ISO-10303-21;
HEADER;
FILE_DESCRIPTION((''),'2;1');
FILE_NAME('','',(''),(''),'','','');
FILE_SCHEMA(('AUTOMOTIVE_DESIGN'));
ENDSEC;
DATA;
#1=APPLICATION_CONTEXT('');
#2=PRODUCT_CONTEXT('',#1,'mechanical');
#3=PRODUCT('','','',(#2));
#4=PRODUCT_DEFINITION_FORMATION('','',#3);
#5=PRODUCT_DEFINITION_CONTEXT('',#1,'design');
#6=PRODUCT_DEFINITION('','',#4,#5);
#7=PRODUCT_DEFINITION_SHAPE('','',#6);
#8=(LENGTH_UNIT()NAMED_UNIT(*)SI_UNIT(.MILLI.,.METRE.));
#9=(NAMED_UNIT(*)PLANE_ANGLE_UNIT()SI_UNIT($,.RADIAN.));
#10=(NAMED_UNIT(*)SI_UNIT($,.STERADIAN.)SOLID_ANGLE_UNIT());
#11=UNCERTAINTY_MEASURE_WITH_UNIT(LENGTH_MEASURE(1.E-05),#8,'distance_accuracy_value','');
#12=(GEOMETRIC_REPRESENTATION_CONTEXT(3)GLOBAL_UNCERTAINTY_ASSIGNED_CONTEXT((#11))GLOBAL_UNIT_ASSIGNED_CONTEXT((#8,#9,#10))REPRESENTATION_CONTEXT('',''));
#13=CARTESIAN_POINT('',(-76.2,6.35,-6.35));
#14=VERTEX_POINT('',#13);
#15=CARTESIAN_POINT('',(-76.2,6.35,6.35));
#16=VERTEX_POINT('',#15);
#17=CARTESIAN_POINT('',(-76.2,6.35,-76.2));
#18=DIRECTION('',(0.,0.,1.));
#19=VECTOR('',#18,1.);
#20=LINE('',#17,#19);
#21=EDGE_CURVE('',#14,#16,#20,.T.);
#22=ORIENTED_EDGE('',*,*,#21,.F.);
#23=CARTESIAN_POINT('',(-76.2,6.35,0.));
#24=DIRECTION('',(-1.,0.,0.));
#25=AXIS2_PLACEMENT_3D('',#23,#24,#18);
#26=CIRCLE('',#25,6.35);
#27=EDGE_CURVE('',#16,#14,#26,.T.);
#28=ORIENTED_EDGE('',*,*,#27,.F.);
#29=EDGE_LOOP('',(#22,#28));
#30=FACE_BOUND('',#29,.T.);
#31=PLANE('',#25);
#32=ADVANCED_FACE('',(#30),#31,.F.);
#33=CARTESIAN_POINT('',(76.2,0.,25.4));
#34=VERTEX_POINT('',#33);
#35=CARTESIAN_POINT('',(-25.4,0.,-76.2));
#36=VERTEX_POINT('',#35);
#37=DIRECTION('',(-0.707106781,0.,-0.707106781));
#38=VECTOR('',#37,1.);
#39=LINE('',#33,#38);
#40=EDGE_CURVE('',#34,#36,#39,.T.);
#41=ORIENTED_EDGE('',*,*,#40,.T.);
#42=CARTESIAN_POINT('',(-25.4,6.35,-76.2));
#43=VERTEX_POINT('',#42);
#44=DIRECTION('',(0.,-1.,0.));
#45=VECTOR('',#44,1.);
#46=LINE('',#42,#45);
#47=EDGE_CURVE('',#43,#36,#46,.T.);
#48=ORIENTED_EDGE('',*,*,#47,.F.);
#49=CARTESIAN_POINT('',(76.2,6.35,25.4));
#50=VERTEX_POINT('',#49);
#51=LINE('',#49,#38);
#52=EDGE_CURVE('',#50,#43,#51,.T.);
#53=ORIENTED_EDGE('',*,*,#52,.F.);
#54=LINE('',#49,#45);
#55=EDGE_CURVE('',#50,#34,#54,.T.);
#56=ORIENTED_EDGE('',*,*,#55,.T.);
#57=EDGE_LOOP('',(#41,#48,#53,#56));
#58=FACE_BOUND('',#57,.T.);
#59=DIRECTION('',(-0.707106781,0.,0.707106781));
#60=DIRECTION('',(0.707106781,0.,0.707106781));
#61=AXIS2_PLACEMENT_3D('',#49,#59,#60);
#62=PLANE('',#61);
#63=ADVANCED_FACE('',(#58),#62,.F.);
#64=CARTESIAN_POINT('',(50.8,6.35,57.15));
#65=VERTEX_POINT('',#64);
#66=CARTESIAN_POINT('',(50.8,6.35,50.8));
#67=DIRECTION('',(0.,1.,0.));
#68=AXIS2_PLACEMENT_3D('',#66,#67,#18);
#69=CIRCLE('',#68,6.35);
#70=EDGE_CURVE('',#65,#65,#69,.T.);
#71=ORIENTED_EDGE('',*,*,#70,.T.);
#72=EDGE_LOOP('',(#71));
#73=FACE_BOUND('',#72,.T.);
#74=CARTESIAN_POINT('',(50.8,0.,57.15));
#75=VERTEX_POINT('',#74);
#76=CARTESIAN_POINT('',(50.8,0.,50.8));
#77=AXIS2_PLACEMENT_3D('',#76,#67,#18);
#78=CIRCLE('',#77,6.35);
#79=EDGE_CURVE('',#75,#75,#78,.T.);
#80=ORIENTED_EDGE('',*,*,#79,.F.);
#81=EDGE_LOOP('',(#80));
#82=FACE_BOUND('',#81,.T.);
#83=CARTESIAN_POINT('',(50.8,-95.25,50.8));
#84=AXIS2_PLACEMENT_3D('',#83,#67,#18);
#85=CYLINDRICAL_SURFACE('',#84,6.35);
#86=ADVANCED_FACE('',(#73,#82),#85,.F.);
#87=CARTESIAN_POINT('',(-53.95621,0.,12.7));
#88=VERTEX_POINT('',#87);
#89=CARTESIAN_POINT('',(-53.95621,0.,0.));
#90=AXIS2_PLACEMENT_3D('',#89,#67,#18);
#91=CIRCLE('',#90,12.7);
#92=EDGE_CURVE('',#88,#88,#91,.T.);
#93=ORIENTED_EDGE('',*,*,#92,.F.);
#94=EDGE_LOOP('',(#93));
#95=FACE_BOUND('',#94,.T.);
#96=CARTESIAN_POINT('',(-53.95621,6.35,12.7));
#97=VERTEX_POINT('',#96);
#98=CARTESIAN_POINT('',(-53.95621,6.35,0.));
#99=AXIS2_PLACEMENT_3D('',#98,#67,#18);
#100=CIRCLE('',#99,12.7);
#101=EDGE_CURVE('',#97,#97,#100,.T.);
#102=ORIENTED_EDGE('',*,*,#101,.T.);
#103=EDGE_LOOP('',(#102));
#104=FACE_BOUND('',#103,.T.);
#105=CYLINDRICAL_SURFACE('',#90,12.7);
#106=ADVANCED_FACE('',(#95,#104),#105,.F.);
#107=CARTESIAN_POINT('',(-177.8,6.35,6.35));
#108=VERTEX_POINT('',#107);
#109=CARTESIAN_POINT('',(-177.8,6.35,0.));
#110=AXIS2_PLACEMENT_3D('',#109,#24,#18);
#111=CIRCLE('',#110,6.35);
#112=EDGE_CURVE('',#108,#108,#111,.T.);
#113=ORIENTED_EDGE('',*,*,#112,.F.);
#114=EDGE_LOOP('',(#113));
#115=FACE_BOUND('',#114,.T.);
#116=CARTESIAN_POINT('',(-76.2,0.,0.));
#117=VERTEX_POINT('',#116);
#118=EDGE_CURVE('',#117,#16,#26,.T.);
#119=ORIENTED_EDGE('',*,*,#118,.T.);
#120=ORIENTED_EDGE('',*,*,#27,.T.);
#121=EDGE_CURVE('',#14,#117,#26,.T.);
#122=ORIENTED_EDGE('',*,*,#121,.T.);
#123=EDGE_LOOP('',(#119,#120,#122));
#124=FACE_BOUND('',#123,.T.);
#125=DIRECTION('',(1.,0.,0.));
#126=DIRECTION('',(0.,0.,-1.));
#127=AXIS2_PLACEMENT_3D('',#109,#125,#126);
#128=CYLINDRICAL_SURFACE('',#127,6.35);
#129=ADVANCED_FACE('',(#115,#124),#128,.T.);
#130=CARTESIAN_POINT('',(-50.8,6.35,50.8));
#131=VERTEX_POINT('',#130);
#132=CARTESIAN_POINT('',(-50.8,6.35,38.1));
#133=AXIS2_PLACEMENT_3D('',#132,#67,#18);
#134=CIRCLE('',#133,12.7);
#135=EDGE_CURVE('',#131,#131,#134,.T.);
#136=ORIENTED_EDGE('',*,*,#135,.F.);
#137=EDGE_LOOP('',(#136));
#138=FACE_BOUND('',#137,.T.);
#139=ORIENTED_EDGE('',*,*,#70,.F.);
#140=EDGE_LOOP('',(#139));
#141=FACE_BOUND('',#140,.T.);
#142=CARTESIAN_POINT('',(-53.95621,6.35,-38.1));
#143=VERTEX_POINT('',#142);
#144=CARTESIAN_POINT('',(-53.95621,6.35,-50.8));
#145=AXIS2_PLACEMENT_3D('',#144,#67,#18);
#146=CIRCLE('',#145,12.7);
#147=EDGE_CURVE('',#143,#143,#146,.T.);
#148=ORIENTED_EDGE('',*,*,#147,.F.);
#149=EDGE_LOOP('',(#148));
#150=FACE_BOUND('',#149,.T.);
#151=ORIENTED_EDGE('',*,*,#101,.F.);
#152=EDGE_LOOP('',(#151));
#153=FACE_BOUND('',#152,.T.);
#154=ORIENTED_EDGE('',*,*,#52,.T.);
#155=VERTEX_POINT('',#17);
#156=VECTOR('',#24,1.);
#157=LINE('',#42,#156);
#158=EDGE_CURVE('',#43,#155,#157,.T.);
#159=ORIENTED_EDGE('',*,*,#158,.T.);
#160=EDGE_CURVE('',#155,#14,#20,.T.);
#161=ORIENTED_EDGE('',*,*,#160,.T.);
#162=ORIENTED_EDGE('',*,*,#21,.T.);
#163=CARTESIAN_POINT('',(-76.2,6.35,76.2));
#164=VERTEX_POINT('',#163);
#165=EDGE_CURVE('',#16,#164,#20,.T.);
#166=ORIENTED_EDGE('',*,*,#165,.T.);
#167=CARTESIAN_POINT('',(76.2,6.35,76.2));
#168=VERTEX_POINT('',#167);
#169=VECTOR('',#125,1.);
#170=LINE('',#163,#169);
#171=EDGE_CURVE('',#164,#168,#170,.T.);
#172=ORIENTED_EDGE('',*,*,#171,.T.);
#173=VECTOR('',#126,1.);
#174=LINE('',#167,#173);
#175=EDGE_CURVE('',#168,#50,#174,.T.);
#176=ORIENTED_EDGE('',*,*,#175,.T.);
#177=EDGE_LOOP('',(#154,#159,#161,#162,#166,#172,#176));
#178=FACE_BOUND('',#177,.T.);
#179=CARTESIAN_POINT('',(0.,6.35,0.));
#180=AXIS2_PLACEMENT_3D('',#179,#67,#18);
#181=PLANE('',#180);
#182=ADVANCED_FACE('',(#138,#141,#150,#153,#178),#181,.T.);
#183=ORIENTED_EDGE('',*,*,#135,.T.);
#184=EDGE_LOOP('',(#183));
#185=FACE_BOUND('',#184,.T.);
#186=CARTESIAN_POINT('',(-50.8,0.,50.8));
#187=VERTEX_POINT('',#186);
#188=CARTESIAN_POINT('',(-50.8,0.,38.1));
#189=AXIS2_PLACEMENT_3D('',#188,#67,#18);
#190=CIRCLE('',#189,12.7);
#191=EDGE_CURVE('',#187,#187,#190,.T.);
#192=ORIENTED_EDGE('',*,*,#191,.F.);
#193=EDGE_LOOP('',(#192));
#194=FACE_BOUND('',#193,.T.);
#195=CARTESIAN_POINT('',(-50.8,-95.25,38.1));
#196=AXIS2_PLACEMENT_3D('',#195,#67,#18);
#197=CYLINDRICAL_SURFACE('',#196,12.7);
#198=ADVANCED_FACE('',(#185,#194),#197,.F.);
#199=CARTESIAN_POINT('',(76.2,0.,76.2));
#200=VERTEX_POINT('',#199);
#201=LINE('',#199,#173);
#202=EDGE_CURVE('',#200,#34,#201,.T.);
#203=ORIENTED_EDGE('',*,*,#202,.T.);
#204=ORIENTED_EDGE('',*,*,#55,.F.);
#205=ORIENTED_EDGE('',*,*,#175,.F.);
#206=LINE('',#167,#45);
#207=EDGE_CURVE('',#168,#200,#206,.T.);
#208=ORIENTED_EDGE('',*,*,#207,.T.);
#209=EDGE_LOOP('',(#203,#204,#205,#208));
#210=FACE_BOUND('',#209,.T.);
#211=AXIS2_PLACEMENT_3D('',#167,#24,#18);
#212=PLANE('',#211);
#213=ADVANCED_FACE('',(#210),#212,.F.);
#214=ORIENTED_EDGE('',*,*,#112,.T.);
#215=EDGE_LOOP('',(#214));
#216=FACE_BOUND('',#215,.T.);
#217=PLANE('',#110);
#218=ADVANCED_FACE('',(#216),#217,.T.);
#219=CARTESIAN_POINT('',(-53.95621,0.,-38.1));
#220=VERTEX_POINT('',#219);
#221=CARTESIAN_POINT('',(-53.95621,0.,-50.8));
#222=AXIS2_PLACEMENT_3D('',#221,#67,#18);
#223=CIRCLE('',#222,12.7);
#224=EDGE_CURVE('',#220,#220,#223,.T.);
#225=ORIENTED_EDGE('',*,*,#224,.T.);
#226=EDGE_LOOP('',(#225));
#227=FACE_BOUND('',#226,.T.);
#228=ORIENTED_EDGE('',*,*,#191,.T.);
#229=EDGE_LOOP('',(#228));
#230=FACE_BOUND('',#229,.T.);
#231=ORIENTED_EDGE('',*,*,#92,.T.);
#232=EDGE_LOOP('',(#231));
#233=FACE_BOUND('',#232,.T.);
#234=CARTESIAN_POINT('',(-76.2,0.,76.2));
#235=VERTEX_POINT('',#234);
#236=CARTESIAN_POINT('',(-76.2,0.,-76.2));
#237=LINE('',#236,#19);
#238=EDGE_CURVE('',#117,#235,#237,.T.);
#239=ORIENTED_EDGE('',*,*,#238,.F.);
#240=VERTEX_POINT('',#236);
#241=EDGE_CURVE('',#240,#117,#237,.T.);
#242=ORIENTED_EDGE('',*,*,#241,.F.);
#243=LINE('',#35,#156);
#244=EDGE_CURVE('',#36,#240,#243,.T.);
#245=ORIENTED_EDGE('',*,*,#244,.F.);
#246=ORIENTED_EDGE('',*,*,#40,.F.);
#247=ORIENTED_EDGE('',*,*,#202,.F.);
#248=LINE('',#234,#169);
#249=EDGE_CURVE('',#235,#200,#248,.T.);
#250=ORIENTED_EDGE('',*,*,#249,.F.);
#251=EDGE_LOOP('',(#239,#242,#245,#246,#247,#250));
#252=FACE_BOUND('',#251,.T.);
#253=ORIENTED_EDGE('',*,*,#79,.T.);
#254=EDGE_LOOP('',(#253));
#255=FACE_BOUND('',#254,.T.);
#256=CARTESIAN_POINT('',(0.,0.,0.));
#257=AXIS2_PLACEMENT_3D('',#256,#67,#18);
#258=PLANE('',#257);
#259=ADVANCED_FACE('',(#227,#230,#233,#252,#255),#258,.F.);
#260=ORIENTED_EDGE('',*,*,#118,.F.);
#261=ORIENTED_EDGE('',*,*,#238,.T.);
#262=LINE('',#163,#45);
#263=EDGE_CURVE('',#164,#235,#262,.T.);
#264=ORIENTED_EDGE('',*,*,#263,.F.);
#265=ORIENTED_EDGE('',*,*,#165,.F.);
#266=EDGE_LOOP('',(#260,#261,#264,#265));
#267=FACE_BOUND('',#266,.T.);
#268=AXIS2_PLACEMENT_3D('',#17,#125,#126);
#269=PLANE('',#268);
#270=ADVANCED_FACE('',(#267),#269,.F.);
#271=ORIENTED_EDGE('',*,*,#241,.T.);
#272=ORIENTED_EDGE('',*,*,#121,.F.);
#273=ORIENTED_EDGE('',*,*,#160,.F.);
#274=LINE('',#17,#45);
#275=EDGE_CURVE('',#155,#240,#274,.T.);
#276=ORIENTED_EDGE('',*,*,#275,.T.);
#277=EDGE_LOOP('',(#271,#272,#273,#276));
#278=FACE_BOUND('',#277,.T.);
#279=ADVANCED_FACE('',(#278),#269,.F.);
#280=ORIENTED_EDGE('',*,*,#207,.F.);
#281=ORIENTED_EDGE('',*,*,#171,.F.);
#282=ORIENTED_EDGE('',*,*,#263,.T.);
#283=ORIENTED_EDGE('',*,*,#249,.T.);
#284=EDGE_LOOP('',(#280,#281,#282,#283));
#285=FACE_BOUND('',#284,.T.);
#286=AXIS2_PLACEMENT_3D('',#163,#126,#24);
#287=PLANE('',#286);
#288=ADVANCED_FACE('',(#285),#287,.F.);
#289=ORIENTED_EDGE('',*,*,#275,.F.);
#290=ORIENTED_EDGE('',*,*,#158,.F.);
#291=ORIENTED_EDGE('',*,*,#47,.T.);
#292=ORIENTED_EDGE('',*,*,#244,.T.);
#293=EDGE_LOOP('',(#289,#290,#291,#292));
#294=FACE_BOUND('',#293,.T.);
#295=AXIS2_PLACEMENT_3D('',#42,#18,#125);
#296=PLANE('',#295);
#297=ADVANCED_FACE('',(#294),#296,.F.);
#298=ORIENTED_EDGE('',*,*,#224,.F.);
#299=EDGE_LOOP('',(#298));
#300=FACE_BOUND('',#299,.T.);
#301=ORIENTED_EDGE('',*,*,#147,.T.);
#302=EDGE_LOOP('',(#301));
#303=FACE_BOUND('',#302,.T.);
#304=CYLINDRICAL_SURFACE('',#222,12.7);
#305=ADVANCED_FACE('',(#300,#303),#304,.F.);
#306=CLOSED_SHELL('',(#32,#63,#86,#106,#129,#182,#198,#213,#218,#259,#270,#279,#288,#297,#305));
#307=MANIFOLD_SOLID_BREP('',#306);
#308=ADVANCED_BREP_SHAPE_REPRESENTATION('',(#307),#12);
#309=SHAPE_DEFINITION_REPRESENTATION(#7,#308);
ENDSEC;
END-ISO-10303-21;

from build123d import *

# Parameters (mm, degrees)
BOSS_EXTRUDE1_DEPTH     = 6.35
SKETCH2_R               = 6.35
BOSS_EXTRUDE2_DEPTH     = 101.6
SKETCH3_R               = 12.7
SKETCH3_R_2             = 6.35
CUT_EXTRUDE1_DEPTH      = 101.6
SKETCH4_R               = 12.7
CUT_EXTRUDE2_DEPTH      = 7.35
SKETCH5_R               = 12.7
CUT_EXTRUDE3_DEPTH      = 7.35
CUT_EXTRUDE3_DEPTH_BACK = 7.35


with BuildPart() as part:
    # Sketch1 → Boss-Extrude1 (new body)
    with BuildSketch(Plane(origin=(0, 0, 0), x_dir=(1, 0, 0), z_dir=(0, 1, 0))):
        Polygon((-76.2, 76.2), (-76.2, -76.2), (76.2, -76.2), (76.2, -25.4), (-25.4, 76.2), align=None)
    extrude(amount=BOSS_EXTRUDE1_DEPTH)

    # Sketch2 → Boss-Extrude2 (add)
    with BuildSketch(Plane.ZY.offset(76.2)):
        with Locations((0, 6.35)):
            Circle(SKETCH2_R)
    extrude(amount=BOSS_EXTRUDE2_DEPTH)

    # Sketch3 → Cut-Extrude1 (cut)
    with BuildSketch(Plane(origin=(0, 6.35, 0), x_dir=(1, 0, 0), z_dir=(0, 1, 0))):
        with Locations((-50.8, -38.1)):
            Circle(SKETCH3_R)
        with Locations((50.8, -50.8)):
            Circle(SKETCH3_R_2)
    extrude(amount=-CUT_EXTRUDE1_DEPTH, mode=Mode.SUBTRACT)

    # Sketch4 → Cut-Extrude2 (cut, through all)
    with BuildSketch(Plane(origin=(0, 6.35, 0), x_dir=(1, 0, 0), z_dir=(0, 1, 0))):
        with Locations((-53.956209782, 0)):
            Circle(SKETCH4_R)
    extrude(amount=-CUT_EXTRUDE2_DEPTH, mode=Mode.SUBTRACT)

    # Sketch5 → Cut-Extrude3 (cut, two sides)
    with BuildSketch(Plane(origin=(0, 6.35, 0), x_dir=(1, 0, 0), z_dir=(0, 1, 0))) as cut_extrude3_sk:
        with Locations((-53.956209782, 50.8)):
            Circle(SKETCH5_R)
    extrude(amount=CUT_EXTRUDE3_DEPTH, mode=Mode.SUBTRACT)
    extrude(cut_extrude3_sk.sketch, amount=-CUT_EXTRUDE3_DEPTH_BACK, mode=Mode.SUBTRACT)


solid = part.part
